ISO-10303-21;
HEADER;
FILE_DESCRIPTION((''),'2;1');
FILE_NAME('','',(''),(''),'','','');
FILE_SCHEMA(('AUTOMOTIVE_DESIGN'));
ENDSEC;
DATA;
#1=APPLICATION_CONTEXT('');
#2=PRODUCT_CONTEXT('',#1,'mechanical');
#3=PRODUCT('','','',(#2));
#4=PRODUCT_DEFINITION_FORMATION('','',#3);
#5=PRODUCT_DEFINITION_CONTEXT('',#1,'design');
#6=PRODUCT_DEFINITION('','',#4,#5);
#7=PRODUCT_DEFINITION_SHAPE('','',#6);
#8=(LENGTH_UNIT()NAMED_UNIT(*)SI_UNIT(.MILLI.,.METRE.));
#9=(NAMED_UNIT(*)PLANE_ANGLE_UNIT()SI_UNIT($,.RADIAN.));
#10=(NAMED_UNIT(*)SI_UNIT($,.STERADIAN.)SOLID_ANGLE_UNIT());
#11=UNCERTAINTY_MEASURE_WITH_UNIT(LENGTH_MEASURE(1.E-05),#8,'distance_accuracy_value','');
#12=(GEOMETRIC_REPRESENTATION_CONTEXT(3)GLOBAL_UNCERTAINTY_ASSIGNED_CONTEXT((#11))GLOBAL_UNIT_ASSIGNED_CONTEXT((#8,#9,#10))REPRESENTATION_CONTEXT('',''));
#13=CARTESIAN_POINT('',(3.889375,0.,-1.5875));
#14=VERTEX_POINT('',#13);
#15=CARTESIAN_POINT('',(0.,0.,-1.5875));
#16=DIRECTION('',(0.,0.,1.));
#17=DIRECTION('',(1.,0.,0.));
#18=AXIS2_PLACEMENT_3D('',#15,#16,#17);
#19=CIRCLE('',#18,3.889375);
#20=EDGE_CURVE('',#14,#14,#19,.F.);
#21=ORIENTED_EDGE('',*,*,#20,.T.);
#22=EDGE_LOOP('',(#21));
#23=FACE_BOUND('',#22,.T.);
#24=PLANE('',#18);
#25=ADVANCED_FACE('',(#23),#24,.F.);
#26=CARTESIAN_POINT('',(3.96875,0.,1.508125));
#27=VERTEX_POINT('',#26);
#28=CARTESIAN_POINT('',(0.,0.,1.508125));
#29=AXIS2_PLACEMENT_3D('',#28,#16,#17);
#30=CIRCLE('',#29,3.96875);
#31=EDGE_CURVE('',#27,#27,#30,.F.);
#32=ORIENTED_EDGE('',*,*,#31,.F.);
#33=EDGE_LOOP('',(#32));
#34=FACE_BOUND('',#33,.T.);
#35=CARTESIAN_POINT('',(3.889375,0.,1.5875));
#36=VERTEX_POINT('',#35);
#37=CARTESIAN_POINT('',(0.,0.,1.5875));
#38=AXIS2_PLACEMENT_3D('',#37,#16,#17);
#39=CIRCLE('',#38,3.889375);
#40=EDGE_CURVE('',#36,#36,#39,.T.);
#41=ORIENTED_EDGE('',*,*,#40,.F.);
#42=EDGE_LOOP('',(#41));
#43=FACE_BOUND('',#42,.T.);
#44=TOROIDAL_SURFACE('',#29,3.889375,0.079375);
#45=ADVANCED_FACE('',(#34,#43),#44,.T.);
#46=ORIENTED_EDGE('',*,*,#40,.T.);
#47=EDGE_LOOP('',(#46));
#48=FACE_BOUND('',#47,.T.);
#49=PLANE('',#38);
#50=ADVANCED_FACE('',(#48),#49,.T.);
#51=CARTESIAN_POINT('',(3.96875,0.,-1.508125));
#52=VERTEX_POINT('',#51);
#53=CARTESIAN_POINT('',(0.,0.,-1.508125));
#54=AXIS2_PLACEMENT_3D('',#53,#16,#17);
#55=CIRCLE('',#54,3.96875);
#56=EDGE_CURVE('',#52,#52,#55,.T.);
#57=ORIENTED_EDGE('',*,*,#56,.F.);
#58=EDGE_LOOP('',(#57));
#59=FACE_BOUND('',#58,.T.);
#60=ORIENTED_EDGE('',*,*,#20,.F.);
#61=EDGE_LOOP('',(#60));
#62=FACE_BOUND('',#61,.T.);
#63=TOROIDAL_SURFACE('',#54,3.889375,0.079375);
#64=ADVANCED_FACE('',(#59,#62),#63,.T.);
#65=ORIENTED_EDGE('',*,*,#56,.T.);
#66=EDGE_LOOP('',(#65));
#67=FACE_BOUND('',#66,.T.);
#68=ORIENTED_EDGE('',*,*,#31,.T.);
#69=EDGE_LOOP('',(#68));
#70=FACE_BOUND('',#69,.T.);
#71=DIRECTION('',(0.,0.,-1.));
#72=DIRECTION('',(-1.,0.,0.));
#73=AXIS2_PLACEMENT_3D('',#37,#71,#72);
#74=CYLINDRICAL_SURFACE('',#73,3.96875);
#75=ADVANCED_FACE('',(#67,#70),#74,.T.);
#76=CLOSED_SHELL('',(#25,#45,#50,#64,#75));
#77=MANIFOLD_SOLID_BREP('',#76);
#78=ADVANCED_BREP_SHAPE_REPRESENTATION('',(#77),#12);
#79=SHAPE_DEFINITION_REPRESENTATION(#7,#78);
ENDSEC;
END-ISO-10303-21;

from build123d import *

# Parameters (mm, degrees)
BOSS_EXTRUDE1_DEPTH      = 1.5875
BOSS_EXTRUDE1_DEPTH_BACK = 1.5875
SKETCH3_R                = 3.96875
FILLET1_R                = 0.079375


with BuildPart() as part:
    # Sketch3 → Boss-Extrude1 (new, two sides: drawn at the far end of the back side and taken through both)
    with BuildSketch(Plane.XY.offset(-BOSS_EXTRUDE1_DEPTH_BACK)):
        Circle(SKETCH3_R)
    extrude(amount=BOSS_EXTRUDE1_DEPTH + BOSS_EXTRUDE1_DEPTH_BACK)

    # Fillet1
    fillet1_edges = [part.edges().sort_by_distance(p)[0] for p in [
        (-3.96875, 0, -1.5875),
        (-3.96875, 0, 1.5875),
    ]]
    fillet(fillet1_edges, radius=FILLET1_R)


solid = part.part
